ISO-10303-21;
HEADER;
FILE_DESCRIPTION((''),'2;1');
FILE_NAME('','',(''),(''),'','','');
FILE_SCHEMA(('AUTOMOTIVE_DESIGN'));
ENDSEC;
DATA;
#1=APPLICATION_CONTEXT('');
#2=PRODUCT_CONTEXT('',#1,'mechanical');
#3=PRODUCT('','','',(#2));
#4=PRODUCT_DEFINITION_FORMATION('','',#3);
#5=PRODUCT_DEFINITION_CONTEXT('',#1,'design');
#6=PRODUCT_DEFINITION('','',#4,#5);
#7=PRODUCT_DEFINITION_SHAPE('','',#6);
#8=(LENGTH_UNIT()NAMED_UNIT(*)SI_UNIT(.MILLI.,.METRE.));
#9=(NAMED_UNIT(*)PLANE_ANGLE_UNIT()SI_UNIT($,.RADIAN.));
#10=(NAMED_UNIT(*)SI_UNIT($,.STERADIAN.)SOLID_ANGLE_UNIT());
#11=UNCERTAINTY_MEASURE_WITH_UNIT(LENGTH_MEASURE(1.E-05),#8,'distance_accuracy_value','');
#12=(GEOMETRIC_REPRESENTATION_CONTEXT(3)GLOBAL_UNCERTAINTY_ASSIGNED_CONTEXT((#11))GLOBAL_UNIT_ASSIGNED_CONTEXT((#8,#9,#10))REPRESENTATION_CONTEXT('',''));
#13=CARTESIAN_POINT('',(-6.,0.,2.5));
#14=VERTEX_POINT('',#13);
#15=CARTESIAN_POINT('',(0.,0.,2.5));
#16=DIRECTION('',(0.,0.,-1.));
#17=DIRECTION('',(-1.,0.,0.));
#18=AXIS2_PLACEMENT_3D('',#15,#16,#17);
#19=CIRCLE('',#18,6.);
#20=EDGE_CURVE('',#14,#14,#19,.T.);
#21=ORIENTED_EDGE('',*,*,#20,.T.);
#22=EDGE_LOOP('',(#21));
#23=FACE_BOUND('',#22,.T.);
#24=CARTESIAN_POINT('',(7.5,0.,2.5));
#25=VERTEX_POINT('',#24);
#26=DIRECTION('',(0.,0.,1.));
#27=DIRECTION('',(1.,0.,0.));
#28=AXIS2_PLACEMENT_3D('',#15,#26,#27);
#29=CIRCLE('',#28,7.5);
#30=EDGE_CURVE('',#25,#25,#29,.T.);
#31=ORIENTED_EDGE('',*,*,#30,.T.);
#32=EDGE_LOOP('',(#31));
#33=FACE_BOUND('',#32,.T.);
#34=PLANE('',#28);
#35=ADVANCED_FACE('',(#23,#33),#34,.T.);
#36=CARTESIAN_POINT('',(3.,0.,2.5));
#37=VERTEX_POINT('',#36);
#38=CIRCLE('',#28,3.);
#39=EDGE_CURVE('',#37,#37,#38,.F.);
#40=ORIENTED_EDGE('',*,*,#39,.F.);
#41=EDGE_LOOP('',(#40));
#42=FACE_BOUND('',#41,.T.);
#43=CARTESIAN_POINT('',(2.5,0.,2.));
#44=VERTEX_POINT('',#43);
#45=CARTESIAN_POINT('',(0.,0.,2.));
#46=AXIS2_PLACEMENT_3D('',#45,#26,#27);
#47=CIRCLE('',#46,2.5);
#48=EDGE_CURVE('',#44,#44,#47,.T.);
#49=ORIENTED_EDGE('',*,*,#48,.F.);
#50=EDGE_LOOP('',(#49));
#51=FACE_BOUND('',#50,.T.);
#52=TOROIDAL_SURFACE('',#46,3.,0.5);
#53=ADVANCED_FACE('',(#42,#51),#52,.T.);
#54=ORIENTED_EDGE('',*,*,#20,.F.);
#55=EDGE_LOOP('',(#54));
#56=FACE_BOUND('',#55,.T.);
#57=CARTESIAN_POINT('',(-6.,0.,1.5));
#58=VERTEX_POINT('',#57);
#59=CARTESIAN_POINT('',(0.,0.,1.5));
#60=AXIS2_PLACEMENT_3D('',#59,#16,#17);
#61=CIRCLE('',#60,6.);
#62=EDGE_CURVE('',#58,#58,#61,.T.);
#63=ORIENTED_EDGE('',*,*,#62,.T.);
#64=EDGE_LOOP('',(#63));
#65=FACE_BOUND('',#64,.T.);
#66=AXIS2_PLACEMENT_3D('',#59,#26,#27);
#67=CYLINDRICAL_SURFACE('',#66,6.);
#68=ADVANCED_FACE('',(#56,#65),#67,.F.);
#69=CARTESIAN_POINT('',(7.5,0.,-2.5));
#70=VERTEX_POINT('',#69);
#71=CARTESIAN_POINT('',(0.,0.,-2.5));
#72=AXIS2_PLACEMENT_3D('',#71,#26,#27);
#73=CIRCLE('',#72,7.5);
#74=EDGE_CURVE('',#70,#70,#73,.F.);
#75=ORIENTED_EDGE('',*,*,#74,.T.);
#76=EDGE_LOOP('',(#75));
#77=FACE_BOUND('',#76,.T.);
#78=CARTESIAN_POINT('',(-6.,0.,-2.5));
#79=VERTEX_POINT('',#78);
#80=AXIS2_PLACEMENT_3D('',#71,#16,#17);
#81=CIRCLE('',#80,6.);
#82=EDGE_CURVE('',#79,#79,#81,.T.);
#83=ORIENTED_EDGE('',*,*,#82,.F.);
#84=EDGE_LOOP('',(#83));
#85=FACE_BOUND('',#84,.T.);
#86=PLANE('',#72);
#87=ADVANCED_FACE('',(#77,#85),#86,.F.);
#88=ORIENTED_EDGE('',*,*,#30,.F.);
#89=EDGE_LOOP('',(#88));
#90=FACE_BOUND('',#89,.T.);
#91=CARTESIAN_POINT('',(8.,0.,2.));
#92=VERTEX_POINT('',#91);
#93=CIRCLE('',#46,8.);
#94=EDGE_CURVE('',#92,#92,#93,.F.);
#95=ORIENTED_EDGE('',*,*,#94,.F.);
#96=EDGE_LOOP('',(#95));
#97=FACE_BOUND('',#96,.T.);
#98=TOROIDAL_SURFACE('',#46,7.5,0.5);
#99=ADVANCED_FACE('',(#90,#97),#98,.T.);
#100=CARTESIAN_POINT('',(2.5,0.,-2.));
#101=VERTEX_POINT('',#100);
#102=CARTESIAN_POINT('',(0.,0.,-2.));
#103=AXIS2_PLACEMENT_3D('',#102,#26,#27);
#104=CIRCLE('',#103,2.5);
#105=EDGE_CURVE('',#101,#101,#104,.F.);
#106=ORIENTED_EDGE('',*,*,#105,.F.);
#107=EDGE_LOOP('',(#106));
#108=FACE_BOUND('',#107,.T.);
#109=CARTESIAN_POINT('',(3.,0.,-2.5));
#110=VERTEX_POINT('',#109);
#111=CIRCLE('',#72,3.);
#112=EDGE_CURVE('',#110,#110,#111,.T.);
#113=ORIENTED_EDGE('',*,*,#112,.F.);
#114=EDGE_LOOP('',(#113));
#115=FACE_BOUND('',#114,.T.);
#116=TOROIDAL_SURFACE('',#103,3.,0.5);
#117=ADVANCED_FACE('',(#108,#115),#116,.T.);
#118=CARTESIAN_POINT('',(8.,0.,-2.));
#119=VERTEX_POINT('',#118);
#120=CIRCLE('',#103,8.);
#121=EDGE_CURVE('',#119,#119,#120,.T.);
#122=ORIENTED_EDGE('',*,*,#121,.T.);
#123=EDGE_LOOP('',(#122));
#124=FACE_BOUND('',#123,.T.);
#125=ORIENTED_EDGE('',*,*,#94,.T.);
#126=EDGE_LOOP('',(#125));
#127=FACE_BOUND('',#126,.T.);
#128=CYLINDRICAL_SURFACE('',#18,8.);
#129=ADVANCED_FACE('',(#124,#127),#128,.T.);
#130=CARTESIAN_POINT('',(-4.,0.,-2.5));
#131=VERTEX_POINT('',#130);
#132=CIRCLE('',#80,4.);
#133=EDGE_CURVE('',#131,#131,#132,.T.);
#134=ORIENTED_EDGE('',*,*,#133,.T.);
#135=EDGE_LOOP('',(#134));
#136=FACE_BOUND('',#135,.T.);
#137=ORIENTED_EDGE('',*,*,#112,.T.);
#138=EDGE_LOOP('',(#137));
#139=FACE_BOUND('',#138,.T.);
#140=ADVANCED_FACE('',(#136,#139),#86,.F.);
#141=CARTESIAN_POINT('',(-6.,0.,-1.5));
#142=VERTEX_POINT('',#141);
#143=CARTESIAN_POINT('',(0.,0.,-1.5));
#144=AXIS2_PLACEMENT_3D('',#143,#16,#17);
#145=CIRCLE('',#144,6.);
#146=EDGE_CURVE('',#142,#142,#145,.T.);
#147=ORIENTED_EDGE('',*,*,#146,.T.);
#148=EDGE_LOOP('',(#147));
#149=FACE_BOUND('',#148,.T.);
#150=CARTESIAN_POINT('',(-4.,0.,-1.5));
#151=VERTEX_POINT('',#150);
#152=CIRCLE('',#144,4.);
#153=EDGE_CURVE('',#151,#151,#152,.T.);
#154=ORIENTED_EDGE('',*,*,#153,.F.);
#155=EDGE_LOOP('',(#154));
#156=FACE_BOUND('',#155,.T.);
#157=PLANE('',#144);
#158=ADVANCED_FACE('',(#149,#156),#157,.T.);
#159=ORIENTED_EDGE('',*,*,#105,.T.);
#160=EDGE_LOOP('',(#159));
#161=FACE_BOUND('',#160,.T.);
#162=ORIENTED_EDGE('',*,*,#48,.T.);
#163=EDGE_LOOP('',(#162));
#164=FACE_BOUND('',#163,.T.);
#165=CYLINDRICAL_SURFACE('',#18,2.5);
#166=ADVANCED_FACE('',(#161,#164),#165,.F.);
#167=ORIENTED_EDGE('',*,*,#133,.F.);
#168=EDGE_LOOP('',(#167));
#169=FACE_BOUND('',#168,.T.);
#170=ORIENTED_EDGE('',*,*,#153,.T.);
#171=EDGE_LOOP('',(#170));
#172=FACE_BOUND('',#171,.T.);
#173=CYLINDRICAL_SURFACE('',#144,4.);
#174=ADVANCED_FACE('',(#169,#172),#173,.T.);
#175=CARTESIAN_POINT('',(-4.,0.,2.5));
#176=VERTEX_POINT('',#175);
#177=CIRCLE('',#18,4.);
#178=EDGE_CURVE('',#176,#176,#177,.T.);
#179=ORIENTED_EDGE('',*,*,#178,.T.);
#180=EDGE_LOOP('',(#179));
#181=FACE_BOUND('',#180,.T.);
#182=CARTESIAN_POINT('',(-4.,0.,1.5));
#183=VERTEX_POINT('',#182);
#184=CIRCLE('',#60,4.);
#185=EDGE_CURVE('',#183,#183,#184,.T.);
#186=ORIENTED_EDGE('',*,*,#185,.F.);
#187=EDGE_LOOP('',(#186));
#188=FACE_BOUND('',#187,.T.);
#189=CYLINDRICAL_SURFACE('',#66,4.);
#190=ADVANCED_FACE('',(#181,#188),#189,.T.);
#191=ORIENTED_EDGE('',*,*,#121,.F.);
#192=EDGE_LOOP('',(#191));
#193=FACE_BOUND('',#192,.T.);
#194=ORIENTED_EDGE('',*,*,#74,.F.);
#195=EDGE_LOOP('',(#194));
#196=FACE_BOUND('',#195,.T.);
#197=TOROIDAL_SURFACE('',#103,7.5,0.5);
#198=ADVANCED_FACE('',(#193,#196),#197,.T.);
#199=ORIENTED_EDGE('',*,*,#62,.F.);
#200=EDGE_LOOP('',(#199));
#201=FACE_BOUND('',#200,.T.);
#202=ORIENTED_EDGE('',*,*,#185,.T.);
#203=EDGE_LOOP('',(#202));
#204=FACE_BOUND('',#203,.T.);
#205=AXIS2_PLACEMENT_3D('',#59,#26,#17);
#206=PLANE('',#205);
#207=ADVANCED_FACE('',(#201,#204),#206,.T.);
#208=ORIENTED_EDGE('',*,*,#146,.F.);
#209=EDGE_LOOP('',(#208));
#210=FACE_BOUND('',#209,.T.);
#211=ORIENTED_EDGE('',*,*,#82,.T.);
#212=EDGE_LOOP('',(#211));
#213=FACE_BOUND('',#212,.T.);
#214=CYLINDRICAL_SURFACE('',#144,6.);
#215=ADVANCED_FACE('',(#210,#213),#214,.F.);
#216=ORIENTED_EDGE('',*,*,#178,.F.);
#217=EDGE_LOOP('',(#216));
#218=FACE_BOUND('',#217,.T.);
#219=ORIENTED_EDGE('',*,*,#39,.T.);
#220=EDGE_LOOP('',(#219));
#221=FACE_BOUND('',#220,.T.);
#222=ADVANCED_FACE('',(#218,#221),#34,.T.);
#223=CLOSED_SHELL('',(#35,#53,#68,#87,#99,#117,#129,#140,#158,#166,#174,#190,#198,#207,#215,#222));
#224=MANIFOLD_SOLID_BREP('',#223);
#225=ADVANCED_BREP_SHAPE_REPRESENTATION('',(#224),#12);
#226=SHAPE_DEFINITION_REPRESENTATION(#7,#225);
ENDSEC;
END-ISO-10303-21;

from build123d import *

# Parameters (mm, degrees)
SKETCH_3_R          = 8
SKETCH_3_R_2        = 2.5
EXTRUDE_1_DEPTH     = 2.5
FILLET_1_R          = 0.5
SKETCH_4_R          = 6
SKETCH_4_R_2        = 4
CUT_EXTRUDE_1_DEPTH = 1


with BuildPart() as part:
    # 草圖3 → 填料-伸長1 (new, symmetric)
    with BuildSketch(Plane.XY):
        Circle(SKETCH_3_R)
        Circle(SKETCH_3_R_2, mode=Mode.SUBTRACT)
    extrude(amount=EXTRUDE_1_DEPTH, both=True)

    # 圓角1
    fillet_1_edges = [part.edges().sort_by_distance(p)[0] for p in [
        (-8, 0, -2.5),
        (-8, 0, 2.5),
        (-2.5, 0, -2.5),
        (-2.5, 0, 2.5),
    ]]
    fillet(fillet_1_edges, radius=FILLET_1_R)

    # 草圖4 → 除料-伸長1 (cut)
    with BuildSketch(Plane(origin=(0, 0, -2.5), x_dir=(-1, 0, 0), z_dir=(0, 0, -1))):
        Circle(SKETCH_4_R)
        Circle(SKETCH_4_R_2, mode=Mode.SUBTRACT)
    cut_extrude_1 = extrude(amount=-CUT_EXTRUDE_1_DEPTH, mode=Mode.SUBTRACT)

    # 鏡射1: 除料-伸長1 across plane
    add(cut_extrude_1.mirror(Plane.XY), mode=Mode.SUBTRACT)


solid = part.part
